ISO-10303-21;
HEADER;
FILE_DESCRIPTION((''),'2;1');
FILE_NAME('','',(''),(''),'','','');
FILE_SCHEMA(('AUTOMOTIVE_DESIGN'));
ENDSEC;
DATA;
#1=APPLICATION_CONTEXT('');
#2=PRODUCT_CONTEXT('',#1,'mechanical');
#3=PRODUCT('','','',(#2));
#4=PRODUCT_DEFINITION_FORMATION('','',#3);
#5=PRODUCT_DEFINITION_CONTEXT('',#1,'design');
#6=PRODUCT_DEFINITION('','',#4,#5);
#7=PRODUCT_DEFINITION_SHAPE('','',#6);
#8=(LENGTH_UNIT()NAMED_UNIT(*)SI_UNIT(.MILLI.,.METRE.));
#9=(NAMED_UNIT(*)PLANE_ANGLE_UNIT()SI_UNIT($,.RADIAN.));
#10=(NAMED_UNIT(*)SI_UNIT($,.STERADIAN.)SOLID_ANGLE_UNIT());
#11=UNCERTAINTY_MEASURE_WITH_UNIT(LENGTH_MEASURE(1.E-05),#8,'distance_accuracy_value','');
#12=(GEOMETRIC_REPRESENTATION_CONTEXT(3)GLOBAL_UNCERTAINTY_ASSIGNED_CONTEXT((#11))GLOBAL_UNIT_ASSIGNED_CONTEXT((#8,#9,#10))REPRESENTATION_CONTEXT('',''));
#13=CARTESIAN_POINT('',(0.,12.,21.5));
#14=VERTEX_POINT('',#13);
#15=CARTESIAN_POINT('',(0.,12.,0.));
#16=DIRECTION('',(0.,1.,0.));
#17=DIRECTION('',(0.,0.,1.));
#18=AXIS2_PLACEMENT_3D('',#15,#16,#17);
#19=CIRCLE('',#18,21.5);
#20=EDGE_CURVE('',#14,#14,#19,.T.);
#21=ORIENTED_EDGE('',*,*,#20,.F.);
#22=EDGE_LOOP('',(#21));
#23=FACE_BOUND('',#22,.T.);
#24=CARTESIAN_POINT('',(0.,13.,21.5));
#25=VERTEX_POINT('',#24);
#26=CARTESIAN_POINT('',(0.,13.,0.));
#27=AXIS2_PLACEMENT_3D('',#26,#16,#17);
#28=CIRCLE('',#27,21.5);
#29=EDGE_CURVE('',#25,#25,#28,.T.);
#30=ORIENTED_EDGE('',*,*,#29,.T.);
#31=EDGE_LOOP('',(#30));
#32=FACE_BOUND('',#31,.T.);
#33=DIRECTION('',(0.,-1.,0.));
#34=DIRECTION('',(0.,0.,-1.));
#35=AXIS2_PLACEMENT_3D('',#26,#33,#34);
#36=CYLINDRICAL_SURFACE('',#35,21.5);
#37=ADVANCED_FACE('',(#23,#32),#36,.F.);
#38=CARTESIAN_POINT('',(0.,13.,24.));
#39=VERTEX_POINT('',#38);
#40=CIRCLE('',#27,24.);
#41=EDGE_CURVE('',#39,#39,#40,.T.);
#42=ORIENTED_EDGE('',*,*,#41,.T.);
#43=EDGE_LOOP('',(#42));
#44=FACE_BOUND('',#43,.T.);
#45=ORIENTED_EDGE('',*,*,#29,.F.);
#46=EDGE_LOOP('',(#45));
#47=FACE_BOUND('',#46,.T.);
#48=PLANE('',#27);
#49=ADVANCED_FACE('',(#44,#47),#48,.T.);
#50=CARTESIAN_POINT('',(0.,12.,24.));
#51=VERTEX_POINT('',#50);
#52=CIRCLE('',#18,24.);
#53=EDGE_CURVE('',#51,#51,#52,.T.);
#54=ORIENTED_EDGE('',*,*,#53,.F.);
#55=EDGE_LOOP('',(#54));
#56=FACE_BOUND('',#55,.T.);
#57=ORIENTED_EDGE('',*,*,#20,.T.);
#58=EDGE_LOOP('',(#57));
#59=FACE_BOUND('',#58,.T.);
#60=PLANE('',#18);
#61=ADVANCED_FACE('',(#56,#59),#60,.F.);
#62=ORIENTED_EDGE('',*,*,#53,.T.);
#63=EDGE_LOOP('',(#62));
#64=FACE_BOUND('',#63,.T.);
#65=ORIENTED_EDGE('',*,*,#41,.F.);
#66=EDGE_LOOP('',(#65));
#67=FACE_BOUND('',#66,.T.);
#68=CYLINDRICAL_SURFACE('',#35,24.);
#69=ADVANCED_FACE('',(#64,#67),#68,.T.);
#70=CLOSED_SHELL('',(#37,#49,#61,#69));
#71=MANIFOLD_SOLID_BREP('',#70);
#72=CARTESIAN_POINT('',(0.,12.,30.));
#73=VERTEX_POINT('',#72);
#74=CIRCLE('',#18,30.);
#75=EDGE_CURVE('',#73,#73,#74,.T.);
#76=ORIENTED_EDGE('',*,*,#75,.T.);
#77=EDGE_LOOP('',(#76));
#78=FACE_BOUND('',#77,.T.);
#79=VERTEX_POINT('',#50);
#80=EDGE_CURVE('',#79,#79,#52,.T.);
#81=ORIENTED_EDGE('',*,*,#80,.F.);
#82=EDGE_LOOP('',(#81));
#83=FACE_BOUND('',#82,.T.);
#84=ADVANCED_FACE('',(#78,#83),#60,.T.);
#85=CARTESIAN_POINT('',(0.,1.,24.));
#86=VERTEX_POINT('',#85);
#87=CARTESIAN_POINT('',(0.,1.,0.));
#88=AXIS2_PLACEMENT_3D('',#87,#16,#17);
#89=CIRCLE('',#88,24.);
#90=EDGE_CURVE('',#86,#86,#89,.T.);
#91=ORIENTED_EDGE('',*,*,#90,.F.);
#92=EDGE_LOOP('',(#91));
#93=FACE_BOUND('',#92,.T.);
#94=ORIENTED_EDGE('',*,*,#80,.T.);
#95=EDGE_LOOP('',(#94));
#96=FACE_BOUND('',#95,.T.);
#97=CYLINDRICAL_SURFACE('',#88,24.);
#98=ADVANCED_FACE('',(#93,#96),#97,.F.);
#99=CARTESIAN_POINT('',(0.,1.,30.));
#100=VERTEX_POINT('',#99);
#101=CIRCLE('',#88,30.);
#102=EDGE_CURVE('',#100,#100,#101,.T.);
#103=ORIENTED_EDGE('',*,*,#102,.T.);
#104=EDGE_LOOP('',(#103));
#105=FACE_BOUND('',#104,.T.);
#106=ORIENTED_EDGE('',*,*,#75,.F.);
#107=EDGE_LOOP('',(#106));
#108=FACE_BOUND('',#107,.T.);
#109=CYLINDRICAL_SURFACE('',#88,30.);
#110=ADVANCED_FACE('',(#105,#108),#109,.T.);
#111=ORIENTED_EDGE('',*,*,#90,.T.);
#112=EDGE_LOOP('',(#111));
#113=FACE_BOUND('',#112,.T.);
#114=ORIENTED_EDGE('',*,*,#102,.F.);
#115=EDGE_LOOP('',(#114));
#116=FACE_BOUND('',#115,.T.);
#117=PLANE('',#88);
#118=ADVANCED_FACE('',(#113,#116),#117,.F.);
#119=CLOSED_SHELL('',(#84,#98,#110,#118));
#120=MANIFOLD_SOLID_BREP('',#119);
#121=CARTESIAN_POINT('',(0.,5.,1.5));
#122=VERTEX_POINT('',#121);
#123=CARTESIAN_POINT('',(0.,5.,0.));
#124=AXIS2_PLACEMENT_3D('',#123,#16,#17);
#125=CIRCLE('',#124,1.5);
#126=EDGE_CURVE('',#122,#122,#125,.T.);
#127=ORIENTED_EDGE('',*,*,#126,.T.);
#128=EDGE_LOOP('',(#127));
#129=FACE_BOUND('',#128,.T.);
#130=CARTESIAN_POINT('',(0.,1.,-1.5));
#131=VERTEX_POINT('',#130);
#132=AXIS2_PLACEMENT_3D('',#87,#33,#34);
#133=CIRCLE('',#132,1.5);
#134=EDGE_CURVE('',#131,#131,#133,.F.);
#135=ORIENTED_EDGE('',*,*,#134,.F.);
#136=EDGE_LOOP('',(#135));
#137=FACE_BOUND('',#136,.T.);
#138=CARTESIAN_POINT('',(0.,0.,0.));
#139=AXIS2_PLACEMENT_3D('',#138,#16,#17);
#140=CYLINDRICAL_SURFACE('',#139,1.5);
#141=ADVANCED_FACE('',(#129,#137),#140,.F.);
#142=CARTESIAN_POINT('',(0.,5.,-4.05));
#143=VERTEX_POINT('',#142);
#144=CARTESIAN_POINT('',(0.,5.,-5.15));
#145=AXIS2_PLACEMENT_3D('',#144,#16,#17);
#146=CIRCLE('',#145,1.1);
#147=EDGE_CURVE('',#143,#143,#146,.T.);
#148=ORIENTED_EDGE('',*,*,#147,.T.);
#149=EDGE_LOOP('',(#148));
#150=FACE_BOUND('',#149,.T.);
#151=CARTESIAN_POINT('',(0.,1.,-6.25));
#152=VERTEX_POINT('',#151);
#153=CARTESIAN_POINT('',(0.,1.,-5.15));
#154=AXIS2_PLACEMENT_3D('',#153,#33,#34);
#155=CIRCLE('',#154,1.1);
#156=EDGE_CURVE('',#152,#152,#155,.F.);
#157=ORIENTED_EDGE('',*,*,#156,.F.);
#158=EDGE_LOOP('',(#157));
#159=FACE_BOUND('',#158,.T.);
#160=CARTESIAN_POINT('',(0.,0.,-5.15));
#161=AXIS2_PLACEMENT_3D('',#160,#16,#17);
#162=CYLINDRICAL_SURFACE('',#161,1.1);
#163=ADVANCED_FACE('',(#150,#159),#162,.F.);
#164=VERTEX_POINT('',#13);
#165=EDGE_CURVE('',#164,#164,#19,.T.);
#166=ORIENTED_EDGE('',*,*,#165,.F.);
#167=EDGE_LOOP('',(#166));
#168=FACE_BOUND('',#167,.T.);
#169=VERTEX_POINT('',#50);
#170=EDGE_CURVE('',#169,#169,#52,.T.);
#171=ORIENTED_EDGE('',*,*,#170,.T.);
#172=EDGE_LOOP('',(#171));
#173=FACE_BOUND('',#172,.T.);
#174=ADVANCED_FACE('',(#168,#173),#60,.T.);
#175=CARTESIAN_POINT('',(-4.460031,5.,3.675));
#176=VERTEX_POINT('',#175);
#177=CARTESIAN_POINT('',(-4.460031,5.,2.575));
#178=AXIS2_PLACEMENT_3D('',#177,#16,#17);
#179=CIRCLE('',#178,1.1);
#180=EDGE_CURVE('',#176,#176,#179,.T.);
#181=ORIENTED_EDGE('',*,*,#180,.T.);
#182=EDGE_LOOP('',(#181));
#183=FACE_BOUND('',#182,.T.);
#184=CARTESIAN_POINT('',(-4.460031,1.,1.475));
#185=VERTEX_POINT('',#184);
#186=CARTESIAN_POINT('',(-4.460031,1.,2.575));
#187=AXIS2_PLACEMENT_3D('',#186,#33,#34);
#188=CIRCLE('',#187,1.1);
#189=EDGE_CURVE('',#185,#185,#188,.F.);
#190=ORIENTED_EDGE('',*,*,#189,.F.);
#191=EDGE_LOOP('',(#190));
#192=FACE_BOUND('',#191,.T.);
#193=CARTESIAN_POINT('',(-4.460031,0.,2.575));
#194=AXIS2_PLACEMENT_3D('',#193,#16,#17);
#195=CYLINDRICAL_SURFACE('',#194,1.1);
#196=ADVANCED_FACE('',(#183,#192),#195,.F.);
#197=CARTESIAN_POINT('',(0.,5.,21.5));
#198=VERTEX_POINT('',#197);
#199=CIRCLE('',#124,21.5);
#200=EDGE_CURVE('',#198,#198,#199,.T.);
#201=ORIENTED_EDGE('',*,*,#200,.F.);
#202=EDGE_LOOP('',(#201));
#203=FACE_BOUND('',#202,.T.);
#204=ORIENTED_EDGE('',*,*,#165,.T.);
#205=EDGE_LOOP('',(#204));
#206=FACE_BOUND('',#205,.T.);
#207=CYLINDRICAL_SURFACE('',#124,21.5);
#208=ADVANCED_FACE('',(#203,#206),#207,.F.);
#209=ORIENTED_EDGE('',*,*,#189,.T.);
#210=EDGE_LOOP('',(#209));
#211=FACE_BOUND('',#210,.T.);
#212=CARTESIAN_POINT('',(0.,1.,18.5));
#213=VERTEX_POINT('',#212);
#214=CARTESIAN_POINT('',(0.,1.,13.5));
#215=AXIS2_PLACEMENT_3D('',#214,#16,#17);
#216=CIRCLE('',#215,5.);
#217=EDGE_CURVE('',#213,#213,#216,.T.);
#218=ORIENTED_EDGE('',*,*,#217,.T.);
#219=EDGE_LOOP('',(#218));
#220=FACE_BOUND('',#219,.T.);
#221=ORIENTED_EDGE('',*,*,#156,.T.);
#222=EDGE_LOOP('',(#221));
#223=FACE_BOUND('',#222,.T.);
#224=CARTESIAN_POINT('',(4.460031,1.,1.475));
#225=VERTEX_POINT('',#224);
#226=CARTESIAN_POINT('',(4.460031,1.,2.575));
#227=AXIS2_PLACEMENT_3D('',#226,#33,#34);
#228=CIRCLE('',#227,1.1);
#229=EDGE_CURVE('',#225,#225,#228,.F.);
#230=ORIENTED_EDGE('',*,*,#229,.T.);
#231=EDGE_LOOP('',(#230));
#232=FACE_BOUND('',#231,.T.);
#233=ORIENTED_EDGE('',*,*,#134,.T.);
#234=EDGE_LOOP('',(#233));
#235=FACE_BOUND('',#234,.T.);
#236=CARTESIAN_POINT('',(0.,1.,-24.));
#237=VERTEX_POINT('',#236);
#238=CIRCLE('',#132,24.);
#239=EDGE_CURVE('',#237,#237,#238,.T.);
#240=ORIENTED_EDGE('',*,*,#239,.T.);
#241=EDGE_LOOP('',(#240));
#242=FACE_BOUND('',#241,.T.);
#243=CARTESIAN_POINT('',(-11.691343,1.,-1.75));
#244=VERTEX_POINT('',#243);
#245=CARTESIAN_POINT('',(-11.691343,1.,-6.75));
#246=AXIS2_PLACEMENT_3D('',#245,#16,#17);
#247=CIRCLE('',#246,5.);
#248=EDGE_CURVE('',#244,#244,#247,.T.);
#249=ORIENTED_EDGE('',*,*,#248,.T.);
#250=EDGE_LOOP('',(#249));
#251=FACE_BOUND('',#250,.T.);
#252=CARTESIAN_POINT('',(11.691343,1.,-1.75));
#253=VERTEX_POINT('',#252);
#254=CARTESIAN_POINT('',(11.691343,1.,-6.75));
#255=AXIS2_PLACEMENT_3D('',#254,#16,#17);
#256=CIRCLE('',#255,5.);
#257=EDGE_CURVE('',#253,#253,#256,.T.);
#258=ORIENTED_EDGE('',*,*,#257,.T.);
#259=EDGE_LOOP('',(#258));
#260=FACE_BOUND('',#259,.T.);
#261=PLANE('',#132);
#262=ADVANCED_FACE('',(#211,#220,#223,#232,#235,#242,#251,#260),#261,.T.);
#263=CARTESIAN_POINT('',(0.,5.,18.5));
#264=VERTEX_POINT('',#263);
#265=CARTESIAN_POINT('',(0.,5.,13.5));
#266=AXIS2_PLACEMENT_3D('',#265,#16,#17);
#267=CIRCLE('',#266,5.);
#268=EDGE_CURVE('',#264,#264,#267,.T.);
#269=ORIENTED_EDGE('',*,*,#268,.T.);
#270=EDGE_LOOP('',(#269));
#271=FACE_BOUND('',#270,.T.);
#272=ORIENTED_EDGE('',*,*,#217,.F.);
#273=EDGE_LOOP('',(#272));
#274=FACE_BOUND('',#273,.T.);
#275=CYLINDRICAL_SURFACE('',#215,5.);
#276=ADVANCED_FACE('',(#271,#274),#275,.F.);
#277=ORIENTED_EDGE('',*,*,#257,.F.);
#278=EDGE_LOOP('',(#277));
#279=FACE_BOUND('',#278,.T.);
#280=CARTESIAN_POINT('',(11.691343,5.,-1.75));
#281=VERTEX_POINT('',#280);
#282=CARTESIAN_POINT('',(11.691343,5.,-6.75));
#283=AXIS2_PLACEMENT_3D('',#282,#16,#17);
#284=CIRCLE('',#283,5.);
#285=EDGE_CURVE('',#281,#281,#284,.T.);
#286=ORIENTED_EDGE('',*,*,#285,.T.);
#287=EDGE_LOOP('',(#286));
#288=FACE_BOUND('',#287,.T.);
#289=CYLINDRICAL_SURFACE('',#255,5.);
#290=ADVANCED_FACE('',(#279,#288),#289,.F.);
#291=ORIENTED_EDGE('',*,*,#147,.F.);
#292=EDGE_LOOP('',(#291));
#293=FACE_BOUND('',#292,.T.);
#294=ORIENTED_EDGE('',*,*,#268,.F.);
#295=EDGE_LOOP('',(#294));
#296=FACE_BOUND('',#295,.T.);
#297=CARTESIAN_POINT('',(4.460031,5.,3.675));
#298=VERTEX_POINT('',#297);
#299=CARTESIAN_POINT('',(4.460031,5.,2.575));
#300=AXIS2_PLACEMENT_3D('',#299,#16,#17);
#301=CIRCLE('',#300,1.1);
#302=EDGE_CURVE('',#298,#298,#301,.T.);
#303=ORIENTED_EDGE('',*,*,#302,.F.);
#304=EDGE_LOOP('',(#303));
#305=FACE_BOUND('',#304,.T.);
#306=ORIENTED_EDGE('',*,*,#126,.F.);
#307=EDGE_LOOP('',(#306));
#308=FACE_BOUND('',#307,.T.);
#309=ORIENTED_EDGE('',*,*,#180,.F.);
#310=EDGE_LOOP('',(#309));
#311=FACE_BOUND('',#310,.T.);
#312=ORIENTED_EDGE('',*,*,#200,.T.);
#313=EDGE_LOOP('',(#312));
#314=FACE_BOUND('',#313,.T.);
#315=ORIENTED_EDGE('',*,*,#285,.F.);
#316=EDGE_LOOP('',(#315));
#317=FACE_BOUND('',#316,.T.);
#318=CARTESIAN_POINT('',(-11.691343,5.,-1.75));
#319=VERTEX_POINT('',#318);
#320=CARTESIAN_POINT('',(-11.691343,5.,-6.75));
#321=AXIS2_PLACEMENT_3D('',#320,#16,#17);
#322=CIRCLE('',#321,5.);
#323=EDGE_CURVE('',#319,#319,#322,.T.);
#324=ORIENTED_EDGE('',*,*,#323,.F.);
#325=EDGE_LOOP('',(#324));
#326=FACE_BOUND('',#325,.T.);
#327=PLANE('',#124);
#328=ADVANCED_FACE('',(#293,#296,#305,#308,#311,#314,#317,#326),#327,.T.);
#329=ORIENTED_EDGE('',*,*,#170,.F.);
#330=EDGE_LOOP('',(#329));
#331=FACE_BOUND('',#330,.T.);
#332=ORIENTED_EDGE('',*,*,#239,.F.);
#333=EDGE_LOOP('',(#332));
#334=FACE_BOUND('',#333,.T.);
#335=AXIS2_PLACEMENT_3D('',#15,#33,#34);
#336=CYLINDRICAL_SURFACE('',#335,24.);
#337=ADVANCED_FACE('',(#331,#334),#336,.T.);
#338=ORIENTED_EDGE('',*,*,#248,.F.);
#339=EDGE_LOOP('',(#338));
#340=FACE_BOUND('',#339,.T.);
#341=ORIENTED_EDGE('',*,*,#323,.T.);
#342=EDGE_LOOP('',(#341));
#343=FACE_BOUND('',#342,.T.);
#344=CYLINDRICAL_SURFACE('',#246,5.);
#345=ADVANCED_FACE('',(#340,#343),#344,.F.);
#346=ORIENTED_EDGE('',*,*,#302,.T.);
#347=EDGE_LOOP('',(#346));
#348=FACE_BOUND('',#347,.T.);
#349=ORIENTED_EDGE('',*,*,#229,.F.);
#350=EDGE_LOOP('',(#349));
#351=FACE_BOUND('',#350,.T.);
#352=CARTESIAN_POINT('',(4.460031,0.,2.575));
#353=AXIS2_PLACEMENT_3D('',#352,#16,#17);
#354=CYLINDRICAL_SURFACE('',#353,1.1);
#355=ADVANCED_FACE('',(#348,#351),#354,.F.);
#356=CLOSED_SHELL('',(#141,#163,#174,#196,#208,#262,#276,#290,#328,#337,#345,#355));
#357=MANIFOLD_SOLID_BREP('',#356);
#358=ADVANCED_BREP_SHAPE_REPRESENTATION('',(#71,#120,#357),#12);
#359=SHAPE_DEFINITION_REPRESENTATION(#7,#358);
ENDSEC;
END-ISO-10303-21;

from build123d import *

# Parameters (mm, degrees)
SKETCH_1_R          = 24
EXTRUDE_1_DEPTH     = 12
SKETCH_2_R          = 21.5
CUT_EXTRUDE_3_DEPTH = 7
SKETCH_3_R          = 1.1
SKETCH_3_R_2        = 1.5
CUT_EXTRUDE_4_DEPTH = 35.655446902
SKETCH_5_R          = 30
SKETCH_5_R_2        = 24
EXTRUDE_2_DEPTH     = 11
SKETCH_7_R          = 24
CUT_EXTRUDE_6_DEPTH = 1
SKETCH_8_R          = 24
SKETCH_8_R_2        = 21.5
EXTRUDE_4_DEPTH     = 1
SKETCH_4_R          = 5
CUT_EXTRUDE_8_DEPTH = 44.17406629


with BuildPart() as part:
    # 草图1 → 凸台-拉伸1 (new body)
    with BuildSketch(Plane(origin=(0, 0, 0), x_dir=(1, 0, 0), z_dir=(0, 1, 0))):
        with Locations(Location((0, 0, 0), (0, 0, 270))):
            Circle(SKETCH_1_R)
    extrude(amount=EXTRUDE_1_DEPTH)

    # 草图2 → 切除-拉伸3 (cut)
    with BuildSketch(Plane(origin=(0, 12, 0), x_dir=(1, 0, 0), z_dir=(0, 1, 0))):
        with Locations(Location((0, 0, 0), (0, 0, 270))):
            Circle(SKETCH_2_R)
    extrude(amount=-CUT_EXTRUDE_3_DEPTH, mode=Mode.SUBTRACT)

    # 草图3 → 切除-拉伸4 (cut, through all)
    with BuildSketch(Plane(origin=(0, 5, 0), x_dir=(1, 0, 0), z_dir=(0, 1, 0))):
        with Locations(Location((0, 5.15, 0), (0, 0, 270))):
            Circle(SKETCH_3_R)
        with Locations(Location((4.460030829, -2.575, 0), (0, 0, 270))):
            Circle(SKETCH_3_R)
        with Locations(Location((-4.460030829, -2.575, 0), (0, 0, 270))):
            Circle(SKETCH_3_R)
        with Locations(Location((0, 0, 0), (0, 0, 270))):
            Circle(SKETCH_3_R_2)
    extrude(amount=-CUT_EXTRUDE_4_DEPTH, mode=Mode.SUBTRACT)

    # 草图7 → 切除-拉伸6 (cut)
    with BuildSketch(Plane.XZ):
        with Locations(Location((0, 0, 0), (0, 0, 90))):
            Circle(SKETCH_7_R)
    extrude(amount=-CUT_EXTRUDE_6_DEPTH, mode=Mode.SUBTRACT)

    # 草图4 → 切除-拉伸8 (cut, through all)
    with BuildSketch(Plane(origin=(0, 5, 0), x_dir=(1, 0, 0), z_dir=(0, 1, 0))):
        with Locations(Location((-11.691342951, 6.75, 0), (0, 0, 270))):
            Circle(SKETCH_4_R)
        with Locations(Location((11.691342951, 6.75, 0), (0, 0, 270))):
            Circle(SKETCH_4_R)
        with Locations(Location((0, -13.5, 0), (0, 0, 270))):
            Circle(SKETCH_4_R)
    extrude(amount=-CUT_EXTRUDE_8_DEPTH, mode=Mode.SUBTRACT)


with BuildPart() as body_2:
    # 草图5 → 凸台-拉伸2 (new body)
    with BuildSketch(Plane(origin=(0, 12, 0), x_dir=(1, 0, 0), z_dir=(0, 1, 0))):
        with Locations(Location((0, 0, 0), (0, 0, 270))):
            Circle(SKETCH_5_R)
        with Locations(Location((0, 0, 0), (0, 0, 270))):
            Circle(SKETCH_5_R_2, mode=Mode.SUBTRACT)
    extrude(amount=-EXTRUDE_2_DEPTH)


with BuildPart() as body_3:
    # 草图8 → 凸台-拉伸4 (new body)
    with BuildSketch(Plane(origin=(0, 12, 0), x_dir=(1, 0, 0), z_dir=(0, 1, 0))):
        with Locations(Location((0, 0, 0), (0, 0, 270))):
            Circle(SKETCH_8_R)
        with Locations(Location((0, 0, 0), (0, 0, 270))):
            Circle(SKETCH_8_R_2, mode=Mode.SUBTRACT)
    extrude(amount=EXTRUDE_4_DEPTH)


solid = Compound([part.part, body_2.part, body_3.part])
